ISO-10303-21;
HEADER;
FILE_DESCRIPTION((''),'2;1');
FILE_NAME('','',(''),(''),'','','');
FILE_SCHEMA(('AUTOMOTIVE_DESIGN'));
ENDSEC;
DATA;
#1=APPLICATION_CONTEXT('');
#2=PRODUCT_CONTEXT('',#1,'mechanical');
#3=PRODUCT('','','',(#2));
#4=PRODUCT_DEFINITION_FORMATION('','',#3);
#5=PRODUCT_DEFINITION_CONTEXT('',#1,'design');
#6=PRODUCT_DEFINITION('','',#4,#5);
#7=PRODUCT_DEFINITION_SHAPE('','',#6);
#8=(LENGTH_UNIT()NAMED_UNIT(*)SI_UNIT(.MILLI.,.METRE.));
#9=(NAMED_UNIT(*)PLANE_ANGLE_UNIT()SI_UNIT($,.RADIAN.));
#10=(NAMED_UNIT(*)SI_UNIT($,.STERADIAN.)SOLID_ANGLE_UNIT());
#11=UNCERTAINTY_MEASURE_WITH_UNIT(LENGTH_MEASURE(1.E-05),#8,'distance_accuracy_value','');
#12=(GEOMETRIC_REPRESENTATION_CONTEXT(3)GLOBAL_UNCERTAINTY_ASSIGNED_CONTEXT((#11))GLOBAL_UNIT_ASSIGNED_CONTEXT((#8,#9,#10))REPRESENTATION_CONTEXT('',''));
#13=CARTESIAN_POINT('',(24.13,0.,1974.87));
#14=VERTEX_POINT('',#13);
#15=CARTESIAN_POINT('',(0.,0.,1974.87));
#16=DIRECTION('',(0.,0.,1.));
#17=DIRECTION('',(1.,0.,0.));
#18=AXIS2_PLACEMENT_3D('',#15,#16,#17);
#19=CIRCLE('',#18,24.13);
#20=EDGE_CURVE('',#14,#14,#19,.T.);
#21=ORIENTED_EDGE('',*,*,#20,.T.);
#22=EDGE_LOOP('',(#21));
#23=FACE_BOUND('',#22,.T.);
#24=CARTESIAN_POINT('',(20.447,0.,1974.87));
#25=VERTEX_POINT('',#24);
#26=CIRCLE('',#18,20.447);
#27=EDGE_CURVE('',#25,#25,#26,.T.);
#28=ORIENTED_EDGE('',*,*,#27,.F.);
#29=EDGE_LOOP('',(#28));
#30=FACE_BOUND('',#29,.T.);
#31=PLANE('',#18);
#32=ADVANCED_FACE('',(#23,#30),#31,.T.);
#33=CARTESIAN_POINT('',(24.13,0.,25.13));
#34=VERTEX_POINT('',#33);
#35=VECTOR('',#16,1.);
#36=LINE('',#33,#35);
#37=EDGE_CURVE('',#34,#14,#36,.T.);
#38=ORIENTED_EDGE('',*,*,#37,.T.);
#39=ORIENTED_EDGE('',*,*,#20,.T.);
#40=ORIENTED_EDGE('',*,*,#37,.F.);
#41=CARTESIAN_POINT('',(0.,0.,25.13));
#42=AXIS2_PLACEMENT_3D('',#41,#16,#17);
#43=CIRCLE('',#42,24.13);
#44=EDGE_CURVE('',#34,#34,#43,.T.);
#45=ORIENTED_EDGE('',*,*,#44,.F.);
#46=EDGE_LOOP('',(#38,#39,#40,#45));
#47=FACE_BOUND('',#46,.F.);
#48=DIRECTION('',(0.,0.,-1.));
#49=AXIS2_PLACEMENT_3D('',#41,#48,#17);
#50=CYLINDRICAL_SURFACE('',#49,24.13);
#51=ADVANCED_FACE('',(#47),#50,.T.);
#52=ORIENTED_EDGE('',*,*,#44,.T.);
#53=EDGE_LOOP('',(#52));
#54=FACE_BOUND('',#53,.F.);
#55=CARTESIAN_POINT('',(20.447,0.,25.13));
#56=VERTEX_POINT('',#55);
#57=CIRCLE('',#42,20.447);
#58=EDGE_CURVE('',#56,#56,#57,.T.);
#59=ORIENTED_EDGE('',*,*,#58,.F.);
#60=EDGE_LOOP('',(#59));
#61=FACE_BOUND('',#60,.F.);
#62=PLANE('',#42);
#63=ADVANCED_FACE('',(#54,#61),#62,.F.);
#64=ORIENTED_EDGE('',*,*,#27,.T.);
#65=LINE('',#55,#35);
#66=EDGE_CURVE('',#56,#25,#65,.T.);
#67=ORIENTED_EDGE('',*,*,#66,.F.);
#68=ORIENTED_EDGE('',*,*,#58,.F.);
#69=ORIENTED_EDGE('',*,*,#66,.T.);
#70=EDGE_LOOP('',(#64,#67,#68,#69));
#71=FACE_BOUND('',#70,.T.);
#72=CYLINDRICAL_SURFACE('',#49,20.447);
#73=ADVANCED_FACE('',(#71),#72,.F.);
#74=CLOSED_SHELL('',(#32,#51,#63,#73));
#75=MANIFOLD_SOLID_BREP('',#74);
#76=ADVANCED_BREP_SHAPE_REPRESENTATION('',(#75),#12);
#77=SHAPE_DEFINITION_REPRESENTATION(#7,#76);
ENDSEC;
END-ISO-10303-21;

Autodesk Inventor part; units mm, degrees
ref_plane "Start Plane" through (0, 0, 25.13) normal (0, 0, 1) x (1, 0, 0)
ref_plane "End Plane" through (0, 0, 1974.87) normal (0, 0, 1) x (1, 0, 0)
sketch "Sketch" plane through (0, 0, 0) normal (0, 0, 1) x (1, 0, 0)
  circle A0 centre (0, 0) radius 20.447
  circle A1 centre (0, 0) radius 24.13
  dimension "d0" = 48.26
  dimension "d1" = 3.683
extrude "Body" add sketch "Sketch" along normal up to surface (1949.74 mm away) from surface at 25.13
sketch "Sketch3" plane through (0, 0, 0) normal (0, 0, 1) x (1, 0, 0)
  line L0 (0, 0) -> (10, 0)
ref_plane "Work Plane3" through (0, 0, 0) normal (0, -1, 0) x (1, 0, 0)
ref_plane "Work Plane4" through (0, 0, 1974.87) normal (0, 0, 1) x (1, 0, 0)
split "Split1" plane through (0, 0, 1974.87) removes the side toward (0, 0, 1)
ref_plane "Work Plane5" through (0, 0, 25.13) normal (0, 0, -1) x (-1, 0, 0)
split "Split2" plane through (0, 0, 25.13) removes the side toward (0, 0, -1)
sketch "Sketch4" plane through (0, 0, 0) normal (0, -1, 0) x (1, 0, 0)
  line L0 (-2, 25.13) -> (12, 25.13) projected
  line L1 (-2, 1974.87) -> (12, 1974.87) projected
  dimension "d7" = 1949.74
equation "\"d0\" = G_H"
equation "\"d1\" = G_T"
equation "\"d2\" = G_L"
equation "\"G_H\" = 48.26"
equation "\"G_T\" = 3.683"
equation "\"G_L\" = d7"
equation "\"G_OFFSET_START\" = -25.13"
equation "\"G_OFFSET_END\" = -25.13"
equation "\"d4\" = -G_OFFSET_START"
equation "\"d5\" = G_OFFSET_END + B_L"
equation "\"B_L\" = 2000"
properties part number "ANSI - 1 1/2 x 0.145 - 76.761" material "Steel, Mild"
